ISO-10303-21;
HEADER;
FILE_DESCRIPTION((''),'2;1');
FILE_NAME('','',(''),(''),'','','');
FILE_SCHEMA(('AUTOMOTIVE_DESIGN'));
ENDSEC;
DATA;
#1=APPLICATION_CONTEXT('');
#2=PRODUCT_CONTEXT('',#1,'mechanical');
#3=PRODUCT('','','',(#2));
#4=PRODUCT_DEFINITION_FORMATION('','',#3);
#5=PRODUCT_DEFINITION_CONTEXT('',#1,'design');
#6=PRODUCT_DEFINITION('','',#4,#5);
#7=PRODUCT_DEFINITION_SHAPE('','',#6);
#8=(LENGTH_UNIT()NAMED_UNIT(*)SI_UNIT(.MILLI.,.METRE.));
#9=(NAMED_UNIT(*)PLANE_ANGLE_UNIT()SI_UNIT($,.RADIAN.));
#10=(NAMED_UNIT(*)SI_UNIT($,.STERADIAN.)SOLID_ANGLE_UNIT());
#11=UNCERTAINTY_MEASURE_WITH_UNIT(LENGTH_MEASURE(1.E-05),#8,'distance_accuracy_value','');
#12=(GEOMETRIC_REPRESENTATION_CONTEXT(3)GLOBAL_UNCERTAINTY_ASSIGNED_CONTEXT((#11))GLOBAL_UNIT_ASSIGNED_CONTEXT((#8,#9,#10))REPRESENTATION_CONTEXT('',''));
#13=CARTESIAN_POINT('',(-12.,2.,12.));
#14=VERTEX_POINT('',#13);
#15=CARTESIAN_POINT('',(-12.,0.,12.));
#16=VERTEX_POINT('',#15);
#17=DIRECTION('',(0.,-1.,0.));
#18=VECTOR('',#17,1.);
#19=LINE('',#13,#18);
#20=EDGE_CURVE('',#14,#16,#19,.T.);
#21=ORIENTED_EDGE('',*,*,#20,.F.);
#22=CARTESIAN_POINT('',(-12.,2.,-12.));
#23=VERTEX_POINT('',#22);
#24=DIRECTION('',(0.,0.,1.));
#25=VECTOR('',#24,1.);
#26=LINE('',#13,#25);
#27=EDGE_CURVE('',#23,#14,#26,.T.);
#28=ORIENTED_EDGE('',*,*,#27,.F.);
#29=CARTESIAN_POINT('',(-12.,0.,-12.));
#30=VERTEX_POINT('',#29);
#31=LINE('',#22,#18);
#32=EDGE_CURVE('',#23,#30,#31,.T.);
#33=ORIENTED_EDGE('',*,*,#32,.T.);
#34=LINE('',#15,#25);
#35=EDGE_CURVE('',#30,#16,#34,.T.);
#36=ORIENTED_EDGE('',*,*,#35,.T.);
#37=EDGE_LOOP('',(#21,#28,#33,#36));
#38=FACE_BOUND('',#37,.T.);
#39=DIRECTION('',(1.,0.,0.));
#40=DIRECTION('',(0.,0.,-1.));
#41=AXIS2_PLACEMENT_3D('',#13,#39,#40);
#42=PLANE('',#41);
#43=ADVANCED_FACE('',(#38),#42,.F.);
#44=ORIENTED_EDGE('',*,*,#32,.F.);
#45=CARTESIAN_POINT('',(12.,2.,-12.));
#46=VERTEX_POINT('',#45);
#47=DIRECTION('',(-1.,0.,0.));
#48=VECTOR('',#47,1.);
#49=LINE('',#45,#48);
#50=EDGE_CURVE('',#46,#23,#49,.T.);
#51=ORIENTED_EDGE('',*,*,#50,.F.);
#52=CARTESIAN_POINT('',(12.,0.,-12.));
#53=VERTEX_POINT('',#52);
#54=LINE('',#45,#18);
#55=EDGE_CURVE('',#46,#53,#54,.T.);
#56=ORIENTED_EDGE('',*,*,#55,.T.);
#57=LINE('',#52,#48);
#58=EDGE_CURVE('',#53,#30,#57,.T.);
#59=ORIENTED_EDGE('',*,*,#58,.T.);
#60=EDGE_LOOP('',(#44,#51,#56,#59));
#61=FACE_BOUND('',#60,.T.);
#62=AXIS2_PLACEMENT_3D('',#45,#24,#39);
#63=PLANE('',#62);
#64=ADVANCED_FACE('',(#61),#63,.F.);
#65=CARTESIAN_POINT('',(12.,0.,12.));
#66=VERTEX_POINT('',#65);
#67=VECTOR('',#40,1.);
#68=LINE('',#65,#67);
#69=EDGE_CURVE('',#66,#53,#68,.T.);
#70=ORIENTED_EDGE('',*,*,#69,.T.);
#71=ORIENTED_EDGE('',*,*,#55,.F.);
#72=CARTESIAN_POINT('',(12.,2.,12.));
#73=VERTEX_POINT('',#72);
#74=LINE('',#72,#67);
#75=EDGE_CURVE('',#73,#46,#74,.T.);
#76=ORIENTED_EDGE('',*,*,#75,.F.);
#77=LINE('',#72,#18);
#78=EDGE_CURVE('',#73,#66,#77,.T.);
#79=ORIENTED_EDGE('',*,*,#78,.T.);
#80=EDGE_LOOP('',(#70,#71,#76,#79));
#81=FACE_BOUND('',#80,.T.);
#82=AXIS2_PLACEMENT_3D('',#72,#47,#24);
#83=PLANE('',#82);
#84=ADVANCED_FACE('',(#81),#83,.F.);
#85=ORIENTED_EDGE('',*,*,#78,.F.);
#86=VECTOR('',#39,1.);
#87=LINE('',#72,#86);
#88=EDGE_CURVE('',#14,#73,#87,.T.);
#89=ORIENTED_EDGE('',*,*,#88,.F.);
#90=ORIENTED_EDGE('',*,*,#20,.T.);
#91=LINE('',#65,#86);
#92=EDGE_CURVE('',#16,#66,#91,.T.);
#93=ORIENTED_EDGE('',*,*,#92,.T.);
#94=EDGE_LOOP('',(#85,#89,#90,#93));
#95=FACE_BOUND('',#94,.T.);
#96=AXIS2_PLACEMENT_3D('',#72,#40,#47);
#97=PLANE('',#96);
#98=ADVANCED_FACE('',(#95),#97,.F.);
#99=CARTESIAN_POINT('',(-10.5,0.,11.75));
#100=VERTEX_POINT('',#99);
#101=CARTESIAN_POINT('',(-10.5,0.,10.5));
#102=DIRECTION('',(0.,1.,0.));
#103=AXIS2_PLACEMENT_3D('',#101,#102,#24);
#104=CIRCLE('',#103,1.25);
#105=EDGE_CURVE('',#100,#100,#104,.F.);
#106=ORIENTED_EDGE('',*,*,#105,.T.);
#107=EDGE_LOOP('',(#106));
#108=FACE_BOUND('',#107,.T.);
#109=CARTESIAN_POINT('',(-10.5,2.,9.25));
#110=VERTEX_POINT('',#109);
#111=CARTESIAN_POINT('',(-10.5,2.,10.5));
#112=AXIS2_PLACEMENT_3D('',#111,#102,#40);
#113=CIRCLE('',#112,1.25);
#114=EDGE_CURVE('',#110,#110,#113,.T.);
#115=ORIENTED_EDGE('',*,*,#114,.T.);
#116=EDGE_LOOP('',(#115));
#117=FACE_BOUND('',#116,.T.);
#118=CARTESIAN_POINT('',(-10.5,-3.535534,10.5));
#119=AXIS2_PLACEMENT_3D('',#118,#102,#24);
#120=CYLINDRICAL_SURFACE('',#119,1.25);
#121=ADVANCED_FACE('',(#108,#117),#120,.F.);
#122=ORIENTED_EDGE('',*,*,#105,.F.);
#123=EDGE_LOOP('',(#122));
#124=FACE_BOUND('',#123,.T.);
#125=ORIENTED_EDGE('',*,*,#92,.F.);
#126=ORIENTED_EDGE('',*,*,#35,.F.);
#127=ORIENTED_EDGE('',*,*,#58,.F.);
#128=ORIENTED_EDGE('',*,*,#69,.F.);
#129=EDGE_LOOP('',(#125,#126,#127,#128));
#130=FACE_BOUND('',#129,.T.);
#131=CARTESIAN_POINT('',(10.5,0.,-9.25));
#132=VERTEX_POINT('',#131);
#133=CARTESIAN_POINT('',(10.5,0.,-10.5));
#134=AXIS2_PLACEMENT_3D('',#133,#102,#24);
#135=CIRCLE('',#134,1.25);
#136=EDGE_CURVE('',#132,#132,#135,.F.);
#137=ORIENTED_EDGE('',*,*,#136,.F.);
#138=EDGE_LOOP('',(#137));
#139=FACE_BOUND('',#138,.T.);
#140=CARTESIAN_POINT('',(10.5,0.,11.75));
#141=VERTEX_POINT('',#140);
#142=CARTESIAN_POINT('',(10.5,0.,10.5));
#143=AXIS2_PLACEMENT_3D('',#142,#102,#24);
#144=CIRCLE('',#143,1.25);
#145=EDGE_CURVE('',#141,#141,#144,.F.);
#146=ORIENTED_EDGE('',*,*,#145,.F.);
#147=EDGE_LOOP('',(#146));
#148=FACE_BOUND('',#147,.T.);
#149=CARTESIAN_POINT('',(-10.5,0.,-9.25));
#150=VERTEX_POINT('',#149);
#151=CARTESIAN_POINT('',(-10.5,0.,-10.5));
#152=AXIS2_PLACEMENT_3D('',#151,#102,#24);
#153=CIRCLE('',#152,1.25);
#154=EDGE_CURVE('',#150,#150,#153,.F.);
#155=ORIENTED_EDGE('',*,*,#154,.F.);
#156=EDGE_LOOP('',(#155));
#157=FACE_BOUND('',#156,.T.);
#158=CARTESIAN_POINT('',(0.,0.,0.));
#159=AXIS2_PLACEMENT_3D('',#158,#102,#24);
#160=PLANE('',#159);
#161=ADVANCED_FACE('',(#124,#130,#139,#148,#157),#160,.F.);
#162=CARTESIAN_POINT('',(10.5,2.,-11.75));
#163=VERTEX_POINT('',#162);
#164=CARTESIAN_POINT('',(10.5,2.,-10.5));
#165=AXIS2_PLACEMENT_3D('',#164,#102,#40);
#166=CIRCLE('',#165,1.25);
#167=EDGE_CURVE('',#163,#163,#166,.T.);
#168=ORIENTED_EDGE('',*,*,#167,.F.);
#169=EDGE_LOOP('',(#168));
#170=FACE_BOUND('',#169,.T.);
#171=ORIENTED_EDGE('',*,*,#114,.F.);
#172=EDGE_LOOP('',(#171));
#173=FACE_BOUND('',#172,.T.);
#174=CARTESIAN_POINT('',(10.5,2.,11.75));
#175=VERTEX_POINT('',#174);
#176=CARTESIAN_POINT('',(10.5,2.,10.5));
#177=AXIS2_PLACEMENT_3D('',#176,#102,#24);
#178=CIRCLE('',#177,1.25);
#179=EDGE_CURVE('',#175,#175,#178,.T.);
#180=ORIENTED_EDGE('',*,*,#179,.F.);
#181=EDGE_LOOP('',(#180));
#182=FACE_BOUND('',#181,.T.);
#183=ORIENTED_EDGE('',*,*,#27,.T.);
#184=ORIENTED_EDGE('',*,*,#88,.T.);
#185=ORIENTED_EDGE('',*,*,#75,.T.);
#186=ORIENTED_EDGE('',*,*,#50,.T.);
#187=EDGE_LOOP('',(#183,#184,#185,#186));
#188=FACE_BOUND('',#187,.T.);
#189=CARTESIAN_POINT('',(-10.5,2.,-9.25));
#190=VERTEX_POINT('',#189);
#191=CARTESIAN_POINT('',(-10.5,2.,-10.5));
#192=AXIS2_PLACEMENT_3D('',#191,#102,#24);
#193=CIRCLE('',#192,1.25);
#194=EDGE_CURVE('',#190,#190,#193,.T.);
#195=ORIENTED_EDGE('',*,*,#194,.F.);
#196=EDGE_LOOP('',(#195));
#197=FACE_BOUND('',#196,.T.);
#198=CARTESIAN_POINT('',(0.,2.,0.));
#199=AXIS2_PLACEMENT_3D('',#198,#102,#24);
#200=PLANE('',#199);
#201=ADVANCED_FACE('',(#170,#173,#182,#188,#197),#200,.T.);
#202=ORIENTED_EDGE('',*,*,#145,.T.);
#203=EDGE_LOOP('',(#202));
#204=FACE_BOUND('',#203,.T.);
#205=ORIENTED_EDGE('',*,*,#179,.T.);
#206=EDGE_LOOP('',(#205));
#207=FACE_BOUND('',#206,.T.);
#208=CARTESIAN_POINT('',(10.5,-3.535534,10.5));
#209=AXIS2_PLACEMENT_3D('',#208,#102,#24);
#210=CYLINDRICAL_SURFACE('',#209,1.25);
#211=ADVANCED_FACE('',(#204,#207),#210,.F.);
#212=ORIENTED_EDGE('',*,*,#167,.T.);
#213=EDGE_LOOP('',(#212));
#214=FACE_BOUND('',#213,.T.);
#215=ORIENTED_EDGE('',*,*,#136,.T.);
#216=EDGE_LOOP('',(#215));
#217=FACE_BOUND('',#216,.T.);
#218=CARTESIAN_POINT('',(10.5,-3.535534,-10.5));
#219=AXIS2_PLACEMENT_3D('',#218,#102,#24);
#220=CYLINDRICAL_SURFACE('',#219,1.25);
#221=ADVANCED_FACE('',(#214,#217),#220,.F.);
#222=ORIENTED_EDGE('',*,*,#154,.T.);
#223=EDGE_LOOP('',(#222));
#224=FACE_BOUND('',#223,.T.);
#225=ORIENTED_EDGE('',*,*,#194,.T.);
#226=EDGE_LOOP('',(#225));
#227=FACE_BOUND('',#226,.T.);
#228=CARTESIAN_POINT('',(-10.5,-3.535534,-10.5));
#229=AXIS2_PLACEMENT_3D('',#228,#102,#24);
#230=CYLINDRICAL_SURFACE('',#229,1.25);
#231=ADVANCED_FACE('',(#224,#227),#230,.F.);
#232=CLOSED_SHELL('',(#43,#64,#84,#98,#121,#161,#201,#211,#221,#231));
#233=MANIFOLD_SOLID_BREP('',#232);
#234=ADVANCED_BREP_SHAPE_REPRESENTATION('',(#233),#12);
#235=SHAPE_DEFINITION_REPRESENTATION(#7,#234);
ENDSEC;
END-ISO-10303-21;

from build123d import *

# Parameters (mm, degrees)
SKETCH2_W           = 24
SKETCH2_H           = 24
BOSS_EXTRUDE1_DEPTH = 2
SKETCH3_R           = 1.25
CUT_EXTRUDE1_DEPTH  = 2


with BuildPart() as part:
    # Sketch2 → Boss-Extrude1 (new body)
    with BuildSketch(Plane(origin=(0, 0, 0), x_dir=(1, 0, 0), z_dir=(0, 1, 0))):
        Rectangle(SKETCH2_W, SKETCH2_H)
    extrude(amount=BOSS_EXTRUDE1_DEPTH)

    # Sketch3 → Cut-Extrude1 (cut)
    with BuildSketch(Plane(origin=(0, 2, 0), x_dir=(1, 0, 0), z_dir=(0, 1, 0))):
        with Locations((-10.5, 10.5)):
            Circle(SKETCH3_R)
        with Locations((10.5, 10.5)):
            Circle(SKETCH3_R)
        with Locations((10.5, -10.5)):
            Circle(SKETCH3_R)
        with Locations((-10.5, -10.5)):
            Circle(SKETCH3_R)
    extrude(amount=-CUT_EXTRUDE1_DEPTH, mode=Mode.SUBTRACT)


solid = part.part
